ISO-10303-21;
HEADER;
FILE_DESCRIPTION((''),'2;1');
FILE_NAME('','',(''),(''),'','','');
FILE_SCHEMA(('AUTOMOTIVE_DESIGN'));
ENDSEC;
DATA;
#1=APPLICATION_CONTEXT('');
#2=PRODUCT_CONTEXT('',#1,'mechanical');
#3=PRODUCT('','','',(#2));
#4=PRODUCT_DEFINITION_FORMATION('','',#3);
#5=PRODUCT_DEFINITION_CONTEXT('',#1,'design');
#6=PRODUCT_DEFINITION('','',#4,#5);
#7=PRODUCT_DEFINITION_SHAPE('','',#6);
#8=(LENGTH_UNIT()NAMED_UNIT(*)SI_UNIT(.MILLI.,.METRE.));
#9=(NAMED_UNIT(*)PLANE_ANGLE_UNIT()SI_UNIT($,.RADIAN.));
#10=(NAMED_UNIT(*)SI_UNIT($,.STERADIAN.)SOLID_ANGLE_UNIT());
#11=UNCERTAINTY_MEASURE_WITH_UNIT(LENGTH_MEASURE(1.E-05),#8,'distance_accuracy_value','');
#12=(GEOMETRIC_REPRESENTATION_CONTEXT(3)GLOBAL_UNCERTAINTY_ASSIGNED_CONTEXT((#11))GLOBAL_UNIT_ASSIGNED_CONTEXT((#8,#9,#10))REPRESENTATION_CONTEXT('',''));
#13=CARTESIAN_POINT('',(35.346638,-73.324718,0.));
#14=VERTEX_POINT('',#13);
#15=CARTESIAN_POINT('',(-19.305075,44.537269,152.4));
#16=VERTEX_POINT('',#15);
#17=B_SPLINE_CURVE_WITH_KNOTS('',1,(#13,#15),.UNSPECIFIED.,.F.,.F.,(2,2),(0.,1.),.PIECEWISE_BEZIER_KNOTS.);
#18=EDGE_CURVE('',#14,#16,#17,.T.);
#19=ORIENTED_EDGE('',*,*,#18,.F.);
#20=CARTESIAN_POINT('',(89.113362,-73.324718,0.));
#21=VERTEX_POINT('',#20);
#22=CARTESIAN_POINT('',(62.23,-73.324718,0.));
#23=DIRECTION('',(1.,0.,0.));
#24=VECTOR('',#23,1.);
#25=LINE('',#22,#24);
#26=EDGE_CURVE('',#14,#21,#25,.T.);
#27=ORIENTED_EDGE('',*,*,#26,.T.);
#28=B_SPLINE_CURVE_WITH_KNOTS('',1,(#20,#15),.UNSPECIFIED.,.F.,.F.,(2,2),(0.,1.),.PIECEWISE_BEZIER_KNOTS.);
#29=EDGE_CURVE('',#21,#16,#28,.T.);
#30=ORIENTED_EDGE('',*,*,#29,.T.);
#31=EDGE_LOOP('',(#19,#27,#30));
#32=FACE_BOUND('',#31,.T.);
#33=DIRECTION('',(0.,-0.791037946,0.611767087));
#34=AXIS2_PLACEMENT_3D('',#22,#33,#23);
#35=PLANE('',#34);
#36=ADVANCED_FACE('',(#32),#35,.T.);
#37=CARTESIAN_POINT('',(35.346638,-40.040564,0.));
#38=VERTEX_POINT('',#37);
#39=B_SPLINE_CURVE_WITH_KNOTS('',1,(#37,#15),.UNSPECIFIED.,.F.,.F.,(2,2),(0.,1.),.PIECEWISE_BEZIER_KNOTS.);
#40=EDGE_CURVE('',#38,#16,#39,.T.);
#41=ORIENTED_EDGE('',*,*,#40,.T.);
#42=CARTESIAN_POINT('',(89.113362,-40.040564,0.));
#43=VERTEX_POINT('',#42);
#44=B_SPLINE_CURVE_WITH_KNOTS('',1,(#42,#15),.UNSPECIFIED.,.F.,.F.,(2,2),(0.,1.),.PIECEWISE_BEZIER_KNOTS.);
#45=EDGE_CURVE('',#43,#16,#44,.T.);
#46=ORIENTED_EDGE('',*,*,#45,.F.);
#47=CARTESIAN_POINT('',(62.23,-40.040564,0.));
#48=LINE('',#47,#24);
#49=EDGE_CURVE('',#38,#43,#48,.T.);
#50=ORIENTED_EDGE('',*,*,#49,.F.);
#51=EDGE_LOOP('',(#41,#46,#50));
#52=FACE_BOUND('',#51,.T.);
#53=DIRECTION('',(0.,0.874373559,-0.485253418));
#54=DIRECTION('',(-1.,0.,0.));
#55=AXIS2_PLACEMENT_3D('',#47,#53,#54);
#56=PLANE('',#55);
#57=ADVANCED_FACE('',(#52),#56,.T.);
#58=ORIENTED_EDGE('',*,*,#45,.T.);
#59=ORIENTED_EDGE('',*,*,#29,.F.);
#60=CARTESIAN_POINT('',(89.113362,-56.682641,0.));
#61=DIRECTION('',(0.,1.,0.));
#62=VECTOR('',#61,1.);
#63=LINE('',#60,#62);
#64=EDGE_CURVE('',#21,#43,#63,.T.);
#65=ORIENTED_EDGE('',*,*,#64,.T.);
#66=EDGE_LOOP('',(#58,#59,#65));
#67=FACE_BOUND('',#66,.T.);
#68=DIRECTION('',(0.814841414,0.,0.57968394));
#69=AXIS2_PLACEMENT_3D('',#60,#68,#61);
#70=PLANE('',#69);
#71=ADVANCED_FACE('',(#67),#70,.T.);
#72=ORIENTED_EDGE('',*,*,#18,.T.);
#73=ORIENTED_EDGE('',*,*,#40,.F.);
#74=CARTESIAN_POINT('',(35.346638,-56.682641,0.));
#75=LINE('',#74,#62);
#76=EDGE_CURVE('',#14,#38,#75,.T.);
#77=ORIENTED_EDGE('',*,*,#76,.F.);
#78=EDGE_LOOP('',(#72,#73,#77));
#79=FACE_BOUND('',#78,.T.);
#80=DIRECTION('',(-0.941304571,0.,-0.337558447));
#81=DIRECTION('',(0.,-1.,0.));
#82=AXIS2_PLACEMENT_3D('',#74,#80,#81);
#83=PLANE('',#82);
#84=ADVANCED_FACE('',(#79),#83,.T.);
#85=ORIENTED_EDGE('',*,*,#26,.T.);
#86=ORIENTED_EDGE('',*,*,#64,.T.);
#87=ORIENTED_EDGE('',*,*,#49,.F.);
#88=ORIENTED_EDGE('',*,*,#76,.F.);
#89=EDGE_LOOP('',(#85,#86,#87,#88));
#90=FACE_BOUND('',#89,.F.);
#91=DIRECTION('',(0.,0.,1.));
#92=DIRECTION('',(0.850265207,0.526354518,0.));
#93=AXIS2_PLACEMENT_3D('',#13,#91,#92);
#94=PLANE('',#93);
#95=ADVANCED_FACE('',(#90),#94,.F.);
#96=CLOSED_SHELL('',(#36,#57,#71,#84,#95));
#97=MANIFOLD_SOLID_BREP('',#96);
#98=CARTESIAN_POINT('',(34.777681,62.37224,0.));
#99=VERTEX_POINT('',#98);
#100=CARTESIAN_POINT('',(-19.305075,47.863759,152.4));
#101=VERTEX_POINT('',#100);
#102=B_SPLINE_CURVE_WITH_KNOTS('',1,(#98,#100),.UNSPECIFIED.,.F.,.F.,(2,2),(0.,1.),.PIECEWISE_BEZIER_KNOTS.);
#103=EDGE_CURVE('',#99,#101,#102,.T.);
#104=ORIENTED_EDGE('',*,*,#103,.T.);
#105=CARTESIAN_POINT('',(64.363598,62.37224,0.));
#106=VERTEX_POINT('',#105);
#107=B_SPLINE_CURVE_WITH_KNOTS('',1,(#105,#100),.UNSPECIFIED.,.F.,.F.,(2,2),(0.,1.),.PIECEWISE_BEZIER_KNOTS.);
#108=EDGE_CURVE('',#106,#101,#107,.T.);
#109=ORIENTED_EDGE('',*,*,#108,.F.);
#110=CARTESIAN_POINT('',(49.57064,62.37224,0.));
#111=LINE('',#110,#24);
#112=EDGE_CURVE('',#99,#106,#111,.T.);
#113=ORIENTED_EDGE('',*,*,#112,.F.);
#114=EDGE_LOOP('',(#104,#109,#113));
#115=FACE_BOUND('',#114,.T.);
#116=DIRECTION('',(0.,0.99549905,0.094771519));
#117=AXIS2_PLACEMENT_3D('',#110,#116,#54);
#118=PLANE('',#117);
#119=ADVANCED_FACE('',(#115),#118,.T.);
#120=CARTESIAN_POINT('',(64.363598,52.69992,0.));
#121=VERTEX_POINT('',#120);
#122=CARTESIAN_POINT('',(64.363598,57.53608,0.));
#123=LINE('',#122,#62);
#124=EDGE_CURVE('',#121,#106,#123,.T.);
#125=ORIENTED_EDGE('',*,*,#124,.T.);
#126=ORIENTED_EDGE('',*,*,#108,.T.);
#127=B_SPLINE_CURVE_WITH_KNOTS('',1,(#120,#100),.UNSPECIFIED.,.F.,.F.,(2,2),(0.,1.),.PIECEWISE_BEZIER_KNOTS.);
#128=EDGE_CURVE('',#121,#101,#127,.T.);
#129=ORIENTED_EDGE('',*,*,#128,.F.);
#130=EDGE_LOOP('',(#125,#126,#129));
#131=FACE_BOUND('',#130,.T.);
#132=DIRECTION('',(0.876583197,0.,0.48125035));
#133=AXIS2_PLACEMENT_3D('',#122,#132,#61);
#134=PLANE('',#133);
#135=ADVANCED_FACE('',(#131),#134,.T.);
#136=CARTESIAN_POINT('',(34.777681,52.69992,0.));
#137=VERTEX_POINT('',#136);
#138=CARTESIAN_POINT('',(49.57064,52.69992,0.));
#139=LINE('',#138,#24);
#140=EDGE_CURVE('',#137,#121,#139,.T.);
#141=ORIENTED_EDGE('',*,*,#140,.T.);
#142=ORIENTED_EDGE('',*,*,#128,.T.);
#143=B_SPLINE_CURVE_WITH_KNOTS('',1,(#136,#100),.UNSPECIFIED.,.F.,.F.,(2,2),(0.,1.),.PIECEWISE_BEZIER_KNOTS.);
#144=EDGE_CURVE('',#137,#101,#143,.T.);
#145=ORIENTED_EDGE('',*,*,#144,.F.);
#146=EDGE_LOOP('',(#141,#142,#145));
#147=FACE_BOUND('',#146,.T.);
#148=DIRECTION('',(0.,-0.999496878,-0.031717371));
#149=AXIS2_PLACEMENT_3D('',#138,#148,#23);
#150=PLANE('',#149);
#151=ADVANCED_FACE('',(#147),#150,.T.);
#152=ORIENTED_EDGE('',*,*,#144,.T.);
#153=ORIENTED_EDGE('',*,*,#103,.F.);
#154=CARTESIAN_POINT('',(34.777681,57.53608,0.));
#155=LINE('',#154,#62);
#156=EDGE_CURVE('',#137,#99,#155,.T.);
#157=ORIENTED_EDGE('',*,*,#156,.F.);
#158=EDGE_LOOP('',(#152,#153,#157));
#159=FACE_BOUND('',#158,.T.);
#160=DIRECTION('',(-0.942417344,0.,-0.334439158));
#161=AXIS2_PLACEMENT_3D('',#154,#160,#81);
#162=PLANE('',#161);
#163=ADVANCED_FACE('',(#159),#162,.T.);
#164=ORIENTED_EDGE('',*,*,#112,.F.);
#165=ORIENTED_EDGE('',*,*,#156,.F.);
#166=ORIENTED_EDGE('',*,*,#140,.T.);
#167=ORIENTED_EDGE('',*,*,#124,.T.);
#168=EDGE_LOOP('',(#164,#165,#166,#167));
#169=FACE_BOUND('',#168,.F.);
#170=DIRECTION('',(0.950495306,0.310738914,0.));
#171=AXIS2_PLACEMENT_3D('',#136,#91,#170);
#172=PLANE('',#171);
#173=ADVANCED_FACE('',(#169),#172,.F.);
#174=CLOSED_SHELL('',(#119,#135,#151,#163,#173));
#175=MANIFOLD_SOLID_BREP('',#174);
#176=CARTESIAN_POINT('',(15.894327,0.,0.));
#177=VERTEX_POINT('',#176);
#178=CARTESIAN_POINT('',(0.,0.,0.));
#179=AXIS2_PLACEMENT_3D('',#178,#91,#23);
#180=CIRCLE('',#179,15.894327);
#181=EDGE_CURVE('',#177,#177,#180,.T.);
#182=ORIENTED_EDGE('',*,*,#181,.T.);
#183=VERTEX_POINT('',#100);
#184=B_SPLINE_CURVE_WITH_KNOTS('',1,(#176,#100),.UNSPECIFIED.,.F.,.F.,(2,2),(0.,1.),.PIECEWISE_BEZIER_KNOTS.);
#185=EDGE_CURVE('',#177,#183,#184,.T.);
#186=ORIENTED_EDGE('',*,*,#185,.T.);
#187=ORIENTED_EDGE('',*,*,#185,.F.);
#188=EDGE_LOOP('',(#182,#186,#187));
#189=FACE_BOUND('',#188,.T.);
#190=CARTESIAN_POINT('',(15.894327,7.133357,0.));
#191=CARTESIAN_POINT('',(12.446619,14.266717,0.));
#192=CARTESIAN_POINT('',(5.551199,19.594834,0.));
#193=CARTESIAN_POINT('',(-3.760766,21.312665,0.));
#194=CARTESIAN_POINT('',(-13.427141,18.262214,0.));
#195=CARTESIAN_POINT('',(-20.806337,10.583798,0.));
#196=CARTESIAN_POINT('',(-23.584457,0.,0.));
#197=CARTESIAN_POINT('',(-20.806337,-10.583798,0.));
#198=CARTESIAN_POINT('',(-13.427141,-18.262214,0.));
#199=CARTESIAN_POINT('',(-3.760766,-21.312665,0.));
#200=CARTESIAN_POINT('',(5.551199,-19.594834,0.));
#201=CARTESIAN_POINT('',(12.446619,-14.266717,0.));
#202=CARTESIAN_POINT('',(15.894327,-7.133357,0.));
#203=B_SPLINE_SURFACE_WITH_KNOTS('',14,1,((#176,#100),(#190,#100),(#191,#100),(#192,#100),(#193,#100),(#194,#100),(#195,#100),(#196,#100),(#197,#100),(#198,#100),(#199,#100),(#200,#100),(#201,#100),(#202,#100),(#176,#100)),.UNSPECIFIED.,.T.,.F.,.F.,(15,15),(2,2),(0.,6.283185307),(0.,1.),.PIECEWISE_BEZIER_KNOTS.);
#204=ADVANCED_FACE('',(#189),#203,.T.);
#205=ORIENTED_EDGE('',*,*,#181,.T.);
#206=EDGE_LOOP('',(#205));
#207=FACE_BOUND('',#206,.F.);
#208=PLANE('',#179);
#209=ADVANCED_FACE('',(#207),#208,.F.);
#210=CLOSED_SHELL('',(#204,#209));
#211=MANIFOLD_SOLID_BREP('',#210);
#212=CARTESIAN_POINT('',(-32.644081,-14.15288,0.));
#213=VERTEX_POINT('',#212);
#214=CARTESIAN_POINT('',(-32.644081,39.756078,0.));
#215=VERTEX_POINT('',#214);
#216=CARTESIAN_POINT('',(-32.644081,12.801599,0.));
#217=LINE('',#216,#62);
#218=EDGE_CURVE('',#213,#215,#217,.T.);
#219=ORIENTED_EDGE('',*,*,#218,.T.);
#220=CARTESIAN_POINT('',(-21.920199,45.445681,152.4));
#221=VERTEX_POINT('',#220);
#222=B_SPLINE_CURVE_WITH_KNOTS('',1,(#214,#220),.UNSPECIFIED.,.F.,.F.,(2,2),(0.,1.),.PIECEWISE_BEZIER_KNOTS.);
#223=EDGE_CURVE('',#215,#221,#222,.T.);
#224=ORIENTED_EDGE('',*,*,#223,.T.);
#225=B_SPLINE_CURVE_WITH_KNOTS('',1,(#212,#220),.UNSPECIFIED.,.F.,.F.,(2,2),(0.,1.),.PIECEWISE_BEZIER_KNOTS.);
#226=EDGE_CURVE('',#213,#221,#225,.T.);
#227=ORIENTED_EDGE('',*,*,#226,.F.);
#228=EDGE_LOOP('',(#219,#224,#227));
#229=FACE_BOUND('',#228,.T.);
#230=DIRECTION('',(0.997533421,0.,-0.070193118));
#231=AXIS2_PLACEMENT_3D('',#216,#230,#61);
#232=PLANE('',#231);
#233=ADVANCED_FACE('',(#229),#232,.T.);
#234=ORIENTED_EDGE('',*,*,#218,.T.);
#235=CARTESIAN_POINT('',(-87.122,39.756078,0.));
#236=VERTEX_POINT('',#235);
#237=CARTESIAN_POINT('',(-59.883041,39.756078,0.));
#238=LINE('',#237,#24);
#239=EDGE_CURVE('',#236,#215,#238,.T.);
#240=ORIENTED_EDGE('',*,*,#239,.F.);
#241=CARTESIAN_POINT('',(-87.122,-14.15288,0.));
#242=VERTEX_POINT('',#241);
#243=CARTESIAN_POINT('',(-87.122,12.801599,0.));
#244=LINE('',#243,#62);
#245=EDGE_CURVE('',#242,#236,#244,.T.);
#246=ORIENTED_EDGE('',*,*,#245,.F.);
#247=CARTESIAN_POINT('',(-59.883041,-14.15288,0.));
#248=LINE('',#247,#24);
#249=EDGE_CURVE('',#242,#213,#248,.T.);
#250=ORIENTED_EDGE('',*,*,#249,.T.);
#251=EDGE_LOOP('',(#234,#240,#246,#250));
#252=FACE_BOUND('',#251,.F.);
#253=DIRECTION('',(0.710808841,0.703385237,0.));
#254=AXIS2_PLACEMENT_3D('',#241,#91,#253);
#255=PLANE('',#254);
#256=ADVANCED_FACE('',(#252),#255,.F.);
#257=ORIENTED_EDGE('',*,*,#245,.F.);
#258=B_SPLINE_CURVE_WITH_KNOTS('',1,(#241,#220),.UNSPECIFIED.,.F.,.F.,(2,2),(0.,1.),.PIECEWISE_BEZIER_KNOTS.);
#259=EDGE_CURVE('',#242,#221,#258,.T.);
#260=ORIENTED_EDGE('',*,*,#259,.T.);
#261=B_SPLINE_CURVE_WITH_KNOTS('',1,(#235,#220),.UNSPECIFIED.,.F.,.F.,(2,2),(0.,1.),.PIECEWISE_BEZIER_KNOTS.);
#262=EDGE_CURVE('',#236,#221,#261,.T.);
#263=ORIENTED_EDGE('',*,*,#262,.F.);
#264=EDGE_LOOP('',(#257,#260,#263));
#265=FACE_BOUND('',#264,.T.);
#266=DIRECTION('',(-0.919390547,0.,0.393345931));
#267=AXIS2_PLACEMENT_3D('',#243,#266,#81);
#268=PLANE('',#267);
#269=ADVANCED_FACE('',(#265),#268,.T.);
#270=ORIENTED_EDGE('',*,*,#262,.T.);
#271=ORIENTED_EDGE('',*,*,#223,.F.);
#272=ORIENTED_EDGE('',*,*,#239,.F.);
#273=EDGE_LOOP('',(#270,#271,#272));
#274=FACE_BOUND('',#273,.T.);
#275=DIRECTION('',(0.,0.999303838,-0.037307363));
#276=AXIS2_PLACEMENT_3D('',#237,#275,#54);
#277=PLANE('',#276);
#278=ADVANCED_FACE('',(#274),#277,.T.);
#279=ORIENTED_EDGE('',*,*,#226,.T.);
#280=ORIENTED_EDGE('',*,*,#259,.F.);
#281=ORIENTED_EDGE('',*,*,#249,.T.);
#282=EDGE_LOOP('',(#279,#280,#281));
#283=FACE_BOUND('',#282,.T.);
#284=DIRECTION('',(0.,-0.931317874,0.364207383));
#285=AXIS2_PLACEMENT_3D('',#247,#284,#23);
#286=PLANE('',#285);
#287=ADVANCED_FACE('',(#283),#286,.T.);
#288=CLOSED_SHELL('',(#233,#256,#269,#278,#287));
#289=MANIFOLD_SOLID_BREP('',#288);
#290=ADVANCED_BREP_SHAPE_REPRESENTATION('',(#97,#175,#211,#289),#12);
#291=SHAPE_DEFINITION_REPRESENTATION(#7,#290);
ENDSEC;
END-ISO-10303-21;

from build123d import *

# Parameters (mm, degrees)
F0_W   = 53.766724
F0_H   = 33.284154
F0_W_2 = 54.477919
F0_H_2 = 53.908958
F0_R   = 15.894327
F0_W_3 = 29.585917
F0_H_3 = 9.672321


with BuildPart() as f3:
    # F0 (on Top) → F3 section 0
    with BuildSketch(Plane.XY, mode=Mode.PRIVATE) as f3_s0:
        with Locations((62.23, -56.682641)):
            Rectangle(F0_W, F0_H)
    loft([f3_s0.sketch, Vertex(-19.305075, 44.537269, 152.4)])


with BuildPart() as f4:
    # F0 (on Top) → F4 section 0
    with BuildSketch(Plane.XY, mode=Mode.PRIVATE) as f4_s0:
        with Locations((-59.883041, 12.801599)):
            Rectangle(F0_W_2, F0_H_2)
    loft([f4_s0.sketch, Vertex(-21.920199, 45.445681, 152.4)])


with BuildPart() as f5:
    # F0 (on Top) → F5 section 0
    with BuildSketch(Plane.XY, mode=Mode.PRIVATE) as f5_s0:
        Circle(F0_R)
    loft([f5_s0.sketch, Vertex(-19.305075, 47.863759, 152.4)])


with BuildPart() as f6:
    # F0 (on Top) → F6 section 0
    with BuildSketch(Plane.XY, mode=Mode.PRIVATE) as f6_s0:
        with Locations((49.57064, 57.53608)):
            Rectangle(F0_W_3, F0_H_3)
    loft([f6_s0.sketch, Vertex(-19.305075, 47.863759, 152.4)])


solid = Compound([f3.part, f4.part, f5.part, f6.part])
